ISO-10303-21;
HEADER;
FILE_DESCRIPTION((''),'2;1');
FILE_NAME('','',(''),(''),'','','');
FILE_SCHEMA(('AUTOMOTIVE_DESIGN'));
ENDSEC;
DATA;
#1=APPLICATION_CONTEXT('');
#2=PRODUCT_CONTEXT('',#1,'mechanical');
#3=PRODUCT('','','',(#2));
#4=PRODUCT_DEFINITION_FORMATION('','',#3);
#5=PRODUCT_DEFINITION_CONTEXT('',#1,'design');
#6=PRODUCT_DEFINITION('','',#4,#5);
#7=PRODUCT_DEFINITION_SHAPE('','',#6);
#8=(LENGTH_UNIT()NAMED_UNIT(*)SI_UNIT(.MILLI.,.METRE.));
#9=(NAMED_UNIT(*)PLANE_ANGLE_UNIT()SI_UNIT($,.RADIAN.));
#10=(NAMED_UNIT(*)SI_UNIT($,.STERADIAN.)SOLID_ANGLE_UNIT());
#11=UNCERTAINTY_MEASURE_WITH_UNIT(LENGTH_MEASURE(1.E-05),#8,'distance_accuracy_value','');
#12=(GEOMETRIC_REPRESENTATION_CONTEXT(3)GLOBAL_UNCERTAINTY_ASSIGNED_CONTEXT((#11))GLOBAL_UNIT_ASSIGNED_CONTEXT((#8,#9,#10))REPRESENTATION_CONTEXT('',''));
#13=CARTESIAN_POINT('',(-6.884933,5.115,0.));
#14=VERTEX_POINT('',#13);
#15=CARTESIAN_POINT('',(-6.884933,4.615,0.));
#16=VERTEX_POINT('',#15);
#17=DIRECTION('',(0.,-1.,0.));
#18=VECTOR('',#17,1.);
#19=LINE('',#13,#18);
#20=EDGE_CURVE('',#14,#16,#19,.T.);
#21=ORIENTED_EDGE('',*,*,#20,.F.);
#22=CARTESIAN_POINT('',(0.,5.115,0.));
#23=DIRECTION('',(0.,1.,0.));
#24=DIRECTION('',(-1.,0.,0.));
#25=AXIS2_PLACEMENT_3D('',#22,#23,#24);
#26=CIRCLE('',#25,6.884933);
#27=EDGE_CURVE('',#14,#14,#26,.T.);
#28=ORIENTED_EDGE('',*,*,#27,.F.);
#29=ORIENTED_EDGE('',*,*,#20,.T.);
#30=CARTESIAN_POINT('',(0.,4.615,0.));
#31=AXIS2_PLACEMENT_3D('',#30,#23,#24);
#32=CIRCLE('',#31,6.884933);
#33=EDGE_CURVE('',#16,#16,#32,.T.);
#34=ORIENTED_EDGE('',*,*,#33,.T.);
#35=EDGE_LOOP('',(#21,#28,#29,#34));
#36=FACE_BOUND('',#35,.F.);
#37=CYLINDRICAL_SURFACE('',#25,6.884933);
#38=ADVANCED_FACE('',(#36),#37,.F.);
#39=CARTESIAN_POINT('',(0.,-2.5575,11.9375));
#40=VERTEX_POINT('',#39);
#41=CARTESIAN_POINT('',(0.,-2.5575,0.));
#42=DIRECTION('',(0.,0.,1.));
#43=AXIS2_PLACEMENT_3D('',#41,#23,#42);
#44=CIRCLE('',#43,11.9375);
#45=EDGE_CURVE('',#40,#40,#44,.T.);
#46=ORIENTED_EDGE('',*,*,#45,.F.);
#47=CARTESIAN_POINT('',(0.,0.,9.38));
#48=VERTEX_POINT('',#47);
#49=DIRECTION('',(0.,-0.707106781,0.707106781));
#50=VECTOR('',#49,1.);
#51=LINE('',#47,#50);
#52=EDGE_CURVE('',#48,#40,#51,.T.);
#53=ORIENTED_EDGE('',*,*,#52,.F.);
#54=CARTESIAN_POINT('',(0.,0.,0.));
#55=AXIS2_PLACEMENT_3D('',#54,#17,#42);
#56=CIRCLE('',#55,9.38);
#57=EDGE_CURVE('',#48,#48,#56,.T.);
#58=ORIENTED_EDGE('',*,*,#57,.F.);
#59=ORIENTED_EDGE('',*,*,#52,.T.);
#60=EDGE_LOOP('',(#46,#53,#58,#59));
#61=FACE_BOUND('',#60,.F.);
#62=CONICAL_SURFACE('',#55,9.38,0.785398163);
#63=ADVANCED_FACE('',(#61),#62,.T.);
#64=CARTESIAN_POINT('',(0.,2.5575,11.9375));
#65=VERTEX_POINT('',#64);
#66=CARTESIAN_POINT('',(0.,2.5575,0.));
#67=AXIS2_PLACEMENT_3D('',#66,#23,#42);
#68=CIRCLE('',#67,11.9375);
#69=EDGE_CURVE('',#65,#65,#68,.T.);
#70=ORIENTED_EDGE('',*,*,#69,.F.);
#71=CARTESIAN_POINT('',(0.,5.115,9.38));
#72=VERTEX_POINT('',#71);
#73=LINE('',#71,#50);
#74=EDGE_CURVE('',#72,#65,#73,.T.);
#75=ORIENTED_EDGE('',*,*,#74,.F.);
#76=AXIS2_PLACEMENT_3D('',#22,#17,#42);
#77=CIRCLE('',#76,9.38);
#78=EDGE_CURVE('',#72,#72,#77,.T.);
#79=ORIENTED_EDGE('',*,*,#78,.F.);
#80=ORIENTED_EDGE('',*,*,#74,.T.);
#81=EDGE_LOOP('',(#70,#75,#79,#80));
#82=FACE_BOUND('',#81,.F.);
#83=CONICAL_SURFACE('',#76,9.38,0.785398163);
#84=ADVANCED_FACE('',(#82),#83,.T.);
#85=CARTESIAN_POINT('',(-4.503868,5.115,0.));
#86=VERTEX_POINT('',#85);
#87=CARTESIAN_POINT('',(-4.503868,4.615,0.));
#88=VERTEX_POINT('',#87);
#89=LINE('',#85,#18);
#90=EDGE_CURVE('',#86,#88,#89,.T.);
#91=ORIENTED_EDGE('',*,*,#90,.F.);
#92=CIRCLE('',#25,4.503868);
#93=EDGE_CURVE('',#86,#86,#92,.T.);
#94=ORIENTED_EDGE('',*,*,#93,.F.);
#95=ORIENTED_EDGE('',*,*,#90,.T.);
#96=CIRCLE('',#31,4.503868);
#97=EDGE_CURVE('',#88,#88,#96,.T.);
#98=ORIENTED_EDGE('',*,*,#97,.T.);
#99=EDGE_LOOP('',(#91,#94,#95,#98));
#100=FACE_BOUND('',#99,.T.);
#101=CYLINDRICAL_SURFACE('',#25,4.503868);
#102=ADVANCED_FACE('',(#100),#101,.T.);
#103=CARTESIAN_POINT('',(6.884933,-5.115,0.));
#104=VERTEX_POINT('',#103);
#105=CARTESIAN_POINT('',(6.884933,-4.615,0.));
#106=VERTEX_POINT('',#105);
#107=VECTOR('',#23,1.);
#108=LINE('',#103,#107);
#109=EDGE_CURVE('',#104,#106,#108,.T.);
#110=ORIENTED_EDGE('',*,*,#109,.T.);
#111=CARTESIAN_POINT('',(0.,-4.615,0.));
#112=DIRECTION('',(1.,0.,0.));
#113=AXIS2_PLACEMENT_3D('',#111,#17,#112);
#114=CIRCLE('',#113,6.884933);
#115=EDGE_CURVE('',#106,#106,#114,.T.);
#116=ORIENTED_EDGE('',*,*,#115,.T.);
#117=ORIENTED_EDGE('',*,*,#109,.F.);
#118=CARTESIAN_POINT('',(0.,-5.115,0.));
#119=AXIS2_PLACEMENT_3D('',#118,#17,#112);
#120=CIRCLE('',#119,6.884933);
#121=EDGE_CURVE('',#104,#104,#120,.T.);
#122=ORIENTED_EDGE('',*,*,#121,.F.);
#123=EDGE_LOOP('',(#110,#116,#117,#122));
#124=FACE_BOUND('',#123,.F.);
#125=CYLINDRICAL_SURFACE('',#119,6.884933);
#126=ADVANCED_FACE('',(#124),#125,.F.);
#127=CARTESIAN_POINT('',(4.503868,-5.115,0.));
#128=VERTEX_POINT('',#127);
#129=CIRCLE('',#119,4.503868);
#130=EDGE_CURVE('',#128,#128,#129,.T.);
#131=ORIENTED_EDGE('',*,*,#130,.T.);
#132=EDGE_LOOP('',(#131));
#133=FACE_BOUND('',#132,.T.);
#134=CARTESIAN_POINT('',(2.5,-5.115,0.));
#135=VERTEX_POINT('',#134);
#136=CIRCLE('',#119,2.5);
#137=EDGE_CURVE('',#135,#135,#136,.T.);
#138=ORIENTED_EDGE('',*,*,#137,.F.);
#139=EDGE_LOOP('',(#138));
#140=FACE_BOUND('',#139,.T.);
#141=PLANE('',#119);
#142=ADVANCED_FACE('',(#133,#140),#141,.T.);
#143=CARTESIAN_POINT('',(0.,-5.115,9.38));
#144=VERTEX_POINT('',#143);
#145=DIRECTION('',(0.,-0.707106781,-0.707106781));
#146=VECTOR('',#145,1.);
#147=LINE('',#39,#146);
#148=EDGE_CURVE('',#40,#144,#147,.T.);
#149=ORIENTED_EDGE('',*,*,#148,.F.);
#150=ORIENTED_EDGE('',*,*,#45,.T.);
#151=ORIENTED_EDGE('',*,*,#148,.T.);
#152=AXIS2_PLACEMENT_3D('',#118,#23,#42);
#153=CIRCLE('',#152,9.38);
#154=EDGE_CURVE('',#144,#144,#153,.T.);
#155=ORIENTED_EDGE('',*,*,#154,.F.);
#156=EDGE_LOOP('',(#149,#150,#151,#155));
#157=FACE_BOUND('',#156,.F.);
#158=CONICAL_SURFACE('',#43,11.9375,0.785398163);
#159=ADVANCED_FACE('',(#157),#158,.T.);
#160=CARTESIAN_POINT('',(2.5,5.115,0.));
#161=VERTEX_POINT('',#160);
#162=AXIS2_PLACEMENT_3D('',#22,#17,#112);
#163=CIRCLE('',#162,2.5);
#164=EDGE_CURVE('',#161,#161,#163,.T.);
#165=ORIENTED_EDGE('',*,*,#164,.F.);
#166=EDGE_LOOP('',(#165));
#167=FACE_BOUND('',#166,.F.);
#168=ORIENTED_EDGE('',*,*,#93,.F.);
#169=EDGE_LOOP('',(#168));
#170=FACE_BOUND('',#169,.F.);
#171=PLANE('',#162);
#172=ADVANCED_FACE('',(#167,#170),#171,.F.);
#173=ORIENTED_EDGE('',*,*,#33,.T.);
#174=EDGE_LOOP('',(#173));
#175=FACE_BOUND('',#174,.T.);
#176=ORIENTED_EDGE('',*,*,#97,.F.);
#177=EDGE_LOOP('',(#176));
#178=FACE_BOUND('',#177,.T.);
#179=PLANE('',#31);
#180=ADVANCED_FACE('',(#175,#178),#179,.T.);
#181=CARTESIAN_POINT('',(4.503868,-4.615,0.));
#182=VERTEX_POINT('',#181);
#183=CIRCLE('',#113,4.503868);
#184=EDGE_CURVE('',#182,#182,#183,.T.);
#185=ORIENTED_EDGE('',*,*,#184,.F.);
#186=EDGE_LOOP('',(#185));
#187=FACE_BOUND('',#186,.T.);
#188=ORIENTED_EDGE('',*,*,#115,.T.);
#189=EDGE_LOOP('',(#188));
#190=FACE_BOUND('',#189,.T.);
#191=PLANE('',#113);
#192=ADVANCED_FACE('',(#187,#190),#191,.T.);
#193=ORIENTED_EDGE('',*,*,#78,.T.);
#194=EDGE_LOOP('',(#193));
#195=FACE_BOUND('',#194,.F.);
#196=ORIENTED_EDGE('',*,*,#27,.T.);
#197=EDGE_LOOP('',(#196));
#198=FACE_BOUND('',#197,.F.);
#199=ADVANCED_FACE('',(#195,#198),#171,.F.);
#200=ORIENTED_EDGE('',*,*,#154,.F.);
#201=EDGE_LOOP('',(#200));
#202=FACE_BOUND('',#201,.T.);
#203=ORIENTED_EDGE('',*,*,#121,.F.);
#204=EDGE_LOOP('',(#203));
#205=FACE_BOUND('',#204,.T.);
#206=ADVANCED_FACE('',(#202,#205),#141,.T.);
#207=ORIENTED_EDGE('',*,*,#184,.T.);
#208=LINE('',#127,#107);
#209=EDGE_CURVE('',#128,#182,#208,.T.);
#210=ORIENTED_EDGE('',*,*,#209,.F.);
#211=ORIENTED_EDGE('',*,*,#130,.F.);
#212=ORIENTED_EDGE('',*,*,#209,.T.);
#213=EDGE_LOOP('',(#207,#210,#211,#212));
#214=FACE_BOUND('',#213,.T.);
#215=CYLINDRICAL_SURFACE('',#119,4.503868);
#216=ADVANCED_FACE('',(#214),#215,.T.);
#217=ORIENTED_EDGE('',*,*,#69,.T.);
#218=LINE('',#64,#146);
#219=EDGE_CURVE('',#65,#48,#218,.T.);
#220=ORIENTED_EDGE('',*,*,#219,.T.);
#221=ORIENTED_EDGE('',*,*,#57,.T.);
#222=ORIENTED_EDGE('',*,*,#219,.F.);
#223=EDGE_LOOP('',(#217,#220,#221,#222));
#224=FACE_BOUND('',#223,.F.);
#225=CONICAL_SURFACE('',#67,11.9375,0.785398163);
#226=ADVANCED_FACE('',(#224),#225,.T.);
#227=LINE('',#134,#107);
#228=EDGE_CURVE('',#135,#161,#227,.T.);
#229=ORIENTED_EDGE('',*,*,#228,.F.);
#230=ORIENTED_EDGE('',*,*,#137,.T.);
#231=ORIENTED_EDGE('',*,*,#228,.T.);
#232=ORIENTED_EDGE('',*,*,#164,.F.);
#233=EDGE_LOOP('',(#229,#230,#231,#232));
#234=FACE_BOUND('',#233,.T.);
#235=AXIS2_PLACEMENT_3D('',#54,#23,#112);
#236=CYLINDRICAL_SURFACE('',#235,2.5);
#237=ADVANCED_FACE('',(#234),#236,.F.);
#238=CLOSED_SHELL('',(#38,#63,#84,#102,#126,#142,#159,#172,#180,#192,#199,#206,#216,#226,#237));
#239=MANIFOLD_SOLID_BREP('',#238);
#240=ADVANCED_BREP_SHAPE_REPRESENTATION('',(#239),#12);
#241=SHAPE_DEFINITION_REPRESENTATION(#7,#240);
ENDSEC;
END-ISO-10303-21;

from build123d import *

# Parameters (mm, degrees)
F0_R     = 9.38
F0_R_2   = 2.5
F1_DEPTH = 5.115
F4_R     = 6.884933
F4_R_2   = 4.503868
F5_DEPTH = 0.5
F6_R     = 6.884933
F6_R_2   = 4.503868
F7_DEPTH = 0.5


with BuildPart() as f1:
    # F0 (on Front) → F1 (new body, symmetric)
    with BuildSketch(Plane.XZ):
        Circle(F0_R)
        Circle(F0_R_2, mode=Mode.SUBTRACT)
    extrude(amount=F1_DEPTH, both=True)

    # F2 (on Right) → F3 (revolve)
    with BuildSketch(Plane.YZ):
        Polygon((-5.115, 9.38), (0, 9.38), (-2.5575, 11.9375), align=None)
        Polygon((2.5575, 11.9375), (0, 9.38), (5.115, 9.38), align=None)
    revolve(axis=Axis((0, 0, 0), (0, 1, 0)))

    # F4 (on face) → F5 (cut)
    with BuildSketch(Plane(origin=(0, 5.115, 0), x_dir=(-1, 0, 0), z_dir=(0, 1, 0))):
        Circle(F4_R)
        Circle(F4_R_2, mode=Mode.SUBTRACT)
    extrude(amount=-F5_DEPTH, mode=Mode.SUBTRACT)

    # F6 (on face) → F7 (cut)
    with BuildSketch(Plane.XZ.offset(5.115)):
        Circle(F6_R)
        Circle(F6_R_2, mode=Mode.SUBTRACT)
    extrude(amount=-F7_DEPTH, mode=Mode.SUBTRACT)


solid = f1.part
